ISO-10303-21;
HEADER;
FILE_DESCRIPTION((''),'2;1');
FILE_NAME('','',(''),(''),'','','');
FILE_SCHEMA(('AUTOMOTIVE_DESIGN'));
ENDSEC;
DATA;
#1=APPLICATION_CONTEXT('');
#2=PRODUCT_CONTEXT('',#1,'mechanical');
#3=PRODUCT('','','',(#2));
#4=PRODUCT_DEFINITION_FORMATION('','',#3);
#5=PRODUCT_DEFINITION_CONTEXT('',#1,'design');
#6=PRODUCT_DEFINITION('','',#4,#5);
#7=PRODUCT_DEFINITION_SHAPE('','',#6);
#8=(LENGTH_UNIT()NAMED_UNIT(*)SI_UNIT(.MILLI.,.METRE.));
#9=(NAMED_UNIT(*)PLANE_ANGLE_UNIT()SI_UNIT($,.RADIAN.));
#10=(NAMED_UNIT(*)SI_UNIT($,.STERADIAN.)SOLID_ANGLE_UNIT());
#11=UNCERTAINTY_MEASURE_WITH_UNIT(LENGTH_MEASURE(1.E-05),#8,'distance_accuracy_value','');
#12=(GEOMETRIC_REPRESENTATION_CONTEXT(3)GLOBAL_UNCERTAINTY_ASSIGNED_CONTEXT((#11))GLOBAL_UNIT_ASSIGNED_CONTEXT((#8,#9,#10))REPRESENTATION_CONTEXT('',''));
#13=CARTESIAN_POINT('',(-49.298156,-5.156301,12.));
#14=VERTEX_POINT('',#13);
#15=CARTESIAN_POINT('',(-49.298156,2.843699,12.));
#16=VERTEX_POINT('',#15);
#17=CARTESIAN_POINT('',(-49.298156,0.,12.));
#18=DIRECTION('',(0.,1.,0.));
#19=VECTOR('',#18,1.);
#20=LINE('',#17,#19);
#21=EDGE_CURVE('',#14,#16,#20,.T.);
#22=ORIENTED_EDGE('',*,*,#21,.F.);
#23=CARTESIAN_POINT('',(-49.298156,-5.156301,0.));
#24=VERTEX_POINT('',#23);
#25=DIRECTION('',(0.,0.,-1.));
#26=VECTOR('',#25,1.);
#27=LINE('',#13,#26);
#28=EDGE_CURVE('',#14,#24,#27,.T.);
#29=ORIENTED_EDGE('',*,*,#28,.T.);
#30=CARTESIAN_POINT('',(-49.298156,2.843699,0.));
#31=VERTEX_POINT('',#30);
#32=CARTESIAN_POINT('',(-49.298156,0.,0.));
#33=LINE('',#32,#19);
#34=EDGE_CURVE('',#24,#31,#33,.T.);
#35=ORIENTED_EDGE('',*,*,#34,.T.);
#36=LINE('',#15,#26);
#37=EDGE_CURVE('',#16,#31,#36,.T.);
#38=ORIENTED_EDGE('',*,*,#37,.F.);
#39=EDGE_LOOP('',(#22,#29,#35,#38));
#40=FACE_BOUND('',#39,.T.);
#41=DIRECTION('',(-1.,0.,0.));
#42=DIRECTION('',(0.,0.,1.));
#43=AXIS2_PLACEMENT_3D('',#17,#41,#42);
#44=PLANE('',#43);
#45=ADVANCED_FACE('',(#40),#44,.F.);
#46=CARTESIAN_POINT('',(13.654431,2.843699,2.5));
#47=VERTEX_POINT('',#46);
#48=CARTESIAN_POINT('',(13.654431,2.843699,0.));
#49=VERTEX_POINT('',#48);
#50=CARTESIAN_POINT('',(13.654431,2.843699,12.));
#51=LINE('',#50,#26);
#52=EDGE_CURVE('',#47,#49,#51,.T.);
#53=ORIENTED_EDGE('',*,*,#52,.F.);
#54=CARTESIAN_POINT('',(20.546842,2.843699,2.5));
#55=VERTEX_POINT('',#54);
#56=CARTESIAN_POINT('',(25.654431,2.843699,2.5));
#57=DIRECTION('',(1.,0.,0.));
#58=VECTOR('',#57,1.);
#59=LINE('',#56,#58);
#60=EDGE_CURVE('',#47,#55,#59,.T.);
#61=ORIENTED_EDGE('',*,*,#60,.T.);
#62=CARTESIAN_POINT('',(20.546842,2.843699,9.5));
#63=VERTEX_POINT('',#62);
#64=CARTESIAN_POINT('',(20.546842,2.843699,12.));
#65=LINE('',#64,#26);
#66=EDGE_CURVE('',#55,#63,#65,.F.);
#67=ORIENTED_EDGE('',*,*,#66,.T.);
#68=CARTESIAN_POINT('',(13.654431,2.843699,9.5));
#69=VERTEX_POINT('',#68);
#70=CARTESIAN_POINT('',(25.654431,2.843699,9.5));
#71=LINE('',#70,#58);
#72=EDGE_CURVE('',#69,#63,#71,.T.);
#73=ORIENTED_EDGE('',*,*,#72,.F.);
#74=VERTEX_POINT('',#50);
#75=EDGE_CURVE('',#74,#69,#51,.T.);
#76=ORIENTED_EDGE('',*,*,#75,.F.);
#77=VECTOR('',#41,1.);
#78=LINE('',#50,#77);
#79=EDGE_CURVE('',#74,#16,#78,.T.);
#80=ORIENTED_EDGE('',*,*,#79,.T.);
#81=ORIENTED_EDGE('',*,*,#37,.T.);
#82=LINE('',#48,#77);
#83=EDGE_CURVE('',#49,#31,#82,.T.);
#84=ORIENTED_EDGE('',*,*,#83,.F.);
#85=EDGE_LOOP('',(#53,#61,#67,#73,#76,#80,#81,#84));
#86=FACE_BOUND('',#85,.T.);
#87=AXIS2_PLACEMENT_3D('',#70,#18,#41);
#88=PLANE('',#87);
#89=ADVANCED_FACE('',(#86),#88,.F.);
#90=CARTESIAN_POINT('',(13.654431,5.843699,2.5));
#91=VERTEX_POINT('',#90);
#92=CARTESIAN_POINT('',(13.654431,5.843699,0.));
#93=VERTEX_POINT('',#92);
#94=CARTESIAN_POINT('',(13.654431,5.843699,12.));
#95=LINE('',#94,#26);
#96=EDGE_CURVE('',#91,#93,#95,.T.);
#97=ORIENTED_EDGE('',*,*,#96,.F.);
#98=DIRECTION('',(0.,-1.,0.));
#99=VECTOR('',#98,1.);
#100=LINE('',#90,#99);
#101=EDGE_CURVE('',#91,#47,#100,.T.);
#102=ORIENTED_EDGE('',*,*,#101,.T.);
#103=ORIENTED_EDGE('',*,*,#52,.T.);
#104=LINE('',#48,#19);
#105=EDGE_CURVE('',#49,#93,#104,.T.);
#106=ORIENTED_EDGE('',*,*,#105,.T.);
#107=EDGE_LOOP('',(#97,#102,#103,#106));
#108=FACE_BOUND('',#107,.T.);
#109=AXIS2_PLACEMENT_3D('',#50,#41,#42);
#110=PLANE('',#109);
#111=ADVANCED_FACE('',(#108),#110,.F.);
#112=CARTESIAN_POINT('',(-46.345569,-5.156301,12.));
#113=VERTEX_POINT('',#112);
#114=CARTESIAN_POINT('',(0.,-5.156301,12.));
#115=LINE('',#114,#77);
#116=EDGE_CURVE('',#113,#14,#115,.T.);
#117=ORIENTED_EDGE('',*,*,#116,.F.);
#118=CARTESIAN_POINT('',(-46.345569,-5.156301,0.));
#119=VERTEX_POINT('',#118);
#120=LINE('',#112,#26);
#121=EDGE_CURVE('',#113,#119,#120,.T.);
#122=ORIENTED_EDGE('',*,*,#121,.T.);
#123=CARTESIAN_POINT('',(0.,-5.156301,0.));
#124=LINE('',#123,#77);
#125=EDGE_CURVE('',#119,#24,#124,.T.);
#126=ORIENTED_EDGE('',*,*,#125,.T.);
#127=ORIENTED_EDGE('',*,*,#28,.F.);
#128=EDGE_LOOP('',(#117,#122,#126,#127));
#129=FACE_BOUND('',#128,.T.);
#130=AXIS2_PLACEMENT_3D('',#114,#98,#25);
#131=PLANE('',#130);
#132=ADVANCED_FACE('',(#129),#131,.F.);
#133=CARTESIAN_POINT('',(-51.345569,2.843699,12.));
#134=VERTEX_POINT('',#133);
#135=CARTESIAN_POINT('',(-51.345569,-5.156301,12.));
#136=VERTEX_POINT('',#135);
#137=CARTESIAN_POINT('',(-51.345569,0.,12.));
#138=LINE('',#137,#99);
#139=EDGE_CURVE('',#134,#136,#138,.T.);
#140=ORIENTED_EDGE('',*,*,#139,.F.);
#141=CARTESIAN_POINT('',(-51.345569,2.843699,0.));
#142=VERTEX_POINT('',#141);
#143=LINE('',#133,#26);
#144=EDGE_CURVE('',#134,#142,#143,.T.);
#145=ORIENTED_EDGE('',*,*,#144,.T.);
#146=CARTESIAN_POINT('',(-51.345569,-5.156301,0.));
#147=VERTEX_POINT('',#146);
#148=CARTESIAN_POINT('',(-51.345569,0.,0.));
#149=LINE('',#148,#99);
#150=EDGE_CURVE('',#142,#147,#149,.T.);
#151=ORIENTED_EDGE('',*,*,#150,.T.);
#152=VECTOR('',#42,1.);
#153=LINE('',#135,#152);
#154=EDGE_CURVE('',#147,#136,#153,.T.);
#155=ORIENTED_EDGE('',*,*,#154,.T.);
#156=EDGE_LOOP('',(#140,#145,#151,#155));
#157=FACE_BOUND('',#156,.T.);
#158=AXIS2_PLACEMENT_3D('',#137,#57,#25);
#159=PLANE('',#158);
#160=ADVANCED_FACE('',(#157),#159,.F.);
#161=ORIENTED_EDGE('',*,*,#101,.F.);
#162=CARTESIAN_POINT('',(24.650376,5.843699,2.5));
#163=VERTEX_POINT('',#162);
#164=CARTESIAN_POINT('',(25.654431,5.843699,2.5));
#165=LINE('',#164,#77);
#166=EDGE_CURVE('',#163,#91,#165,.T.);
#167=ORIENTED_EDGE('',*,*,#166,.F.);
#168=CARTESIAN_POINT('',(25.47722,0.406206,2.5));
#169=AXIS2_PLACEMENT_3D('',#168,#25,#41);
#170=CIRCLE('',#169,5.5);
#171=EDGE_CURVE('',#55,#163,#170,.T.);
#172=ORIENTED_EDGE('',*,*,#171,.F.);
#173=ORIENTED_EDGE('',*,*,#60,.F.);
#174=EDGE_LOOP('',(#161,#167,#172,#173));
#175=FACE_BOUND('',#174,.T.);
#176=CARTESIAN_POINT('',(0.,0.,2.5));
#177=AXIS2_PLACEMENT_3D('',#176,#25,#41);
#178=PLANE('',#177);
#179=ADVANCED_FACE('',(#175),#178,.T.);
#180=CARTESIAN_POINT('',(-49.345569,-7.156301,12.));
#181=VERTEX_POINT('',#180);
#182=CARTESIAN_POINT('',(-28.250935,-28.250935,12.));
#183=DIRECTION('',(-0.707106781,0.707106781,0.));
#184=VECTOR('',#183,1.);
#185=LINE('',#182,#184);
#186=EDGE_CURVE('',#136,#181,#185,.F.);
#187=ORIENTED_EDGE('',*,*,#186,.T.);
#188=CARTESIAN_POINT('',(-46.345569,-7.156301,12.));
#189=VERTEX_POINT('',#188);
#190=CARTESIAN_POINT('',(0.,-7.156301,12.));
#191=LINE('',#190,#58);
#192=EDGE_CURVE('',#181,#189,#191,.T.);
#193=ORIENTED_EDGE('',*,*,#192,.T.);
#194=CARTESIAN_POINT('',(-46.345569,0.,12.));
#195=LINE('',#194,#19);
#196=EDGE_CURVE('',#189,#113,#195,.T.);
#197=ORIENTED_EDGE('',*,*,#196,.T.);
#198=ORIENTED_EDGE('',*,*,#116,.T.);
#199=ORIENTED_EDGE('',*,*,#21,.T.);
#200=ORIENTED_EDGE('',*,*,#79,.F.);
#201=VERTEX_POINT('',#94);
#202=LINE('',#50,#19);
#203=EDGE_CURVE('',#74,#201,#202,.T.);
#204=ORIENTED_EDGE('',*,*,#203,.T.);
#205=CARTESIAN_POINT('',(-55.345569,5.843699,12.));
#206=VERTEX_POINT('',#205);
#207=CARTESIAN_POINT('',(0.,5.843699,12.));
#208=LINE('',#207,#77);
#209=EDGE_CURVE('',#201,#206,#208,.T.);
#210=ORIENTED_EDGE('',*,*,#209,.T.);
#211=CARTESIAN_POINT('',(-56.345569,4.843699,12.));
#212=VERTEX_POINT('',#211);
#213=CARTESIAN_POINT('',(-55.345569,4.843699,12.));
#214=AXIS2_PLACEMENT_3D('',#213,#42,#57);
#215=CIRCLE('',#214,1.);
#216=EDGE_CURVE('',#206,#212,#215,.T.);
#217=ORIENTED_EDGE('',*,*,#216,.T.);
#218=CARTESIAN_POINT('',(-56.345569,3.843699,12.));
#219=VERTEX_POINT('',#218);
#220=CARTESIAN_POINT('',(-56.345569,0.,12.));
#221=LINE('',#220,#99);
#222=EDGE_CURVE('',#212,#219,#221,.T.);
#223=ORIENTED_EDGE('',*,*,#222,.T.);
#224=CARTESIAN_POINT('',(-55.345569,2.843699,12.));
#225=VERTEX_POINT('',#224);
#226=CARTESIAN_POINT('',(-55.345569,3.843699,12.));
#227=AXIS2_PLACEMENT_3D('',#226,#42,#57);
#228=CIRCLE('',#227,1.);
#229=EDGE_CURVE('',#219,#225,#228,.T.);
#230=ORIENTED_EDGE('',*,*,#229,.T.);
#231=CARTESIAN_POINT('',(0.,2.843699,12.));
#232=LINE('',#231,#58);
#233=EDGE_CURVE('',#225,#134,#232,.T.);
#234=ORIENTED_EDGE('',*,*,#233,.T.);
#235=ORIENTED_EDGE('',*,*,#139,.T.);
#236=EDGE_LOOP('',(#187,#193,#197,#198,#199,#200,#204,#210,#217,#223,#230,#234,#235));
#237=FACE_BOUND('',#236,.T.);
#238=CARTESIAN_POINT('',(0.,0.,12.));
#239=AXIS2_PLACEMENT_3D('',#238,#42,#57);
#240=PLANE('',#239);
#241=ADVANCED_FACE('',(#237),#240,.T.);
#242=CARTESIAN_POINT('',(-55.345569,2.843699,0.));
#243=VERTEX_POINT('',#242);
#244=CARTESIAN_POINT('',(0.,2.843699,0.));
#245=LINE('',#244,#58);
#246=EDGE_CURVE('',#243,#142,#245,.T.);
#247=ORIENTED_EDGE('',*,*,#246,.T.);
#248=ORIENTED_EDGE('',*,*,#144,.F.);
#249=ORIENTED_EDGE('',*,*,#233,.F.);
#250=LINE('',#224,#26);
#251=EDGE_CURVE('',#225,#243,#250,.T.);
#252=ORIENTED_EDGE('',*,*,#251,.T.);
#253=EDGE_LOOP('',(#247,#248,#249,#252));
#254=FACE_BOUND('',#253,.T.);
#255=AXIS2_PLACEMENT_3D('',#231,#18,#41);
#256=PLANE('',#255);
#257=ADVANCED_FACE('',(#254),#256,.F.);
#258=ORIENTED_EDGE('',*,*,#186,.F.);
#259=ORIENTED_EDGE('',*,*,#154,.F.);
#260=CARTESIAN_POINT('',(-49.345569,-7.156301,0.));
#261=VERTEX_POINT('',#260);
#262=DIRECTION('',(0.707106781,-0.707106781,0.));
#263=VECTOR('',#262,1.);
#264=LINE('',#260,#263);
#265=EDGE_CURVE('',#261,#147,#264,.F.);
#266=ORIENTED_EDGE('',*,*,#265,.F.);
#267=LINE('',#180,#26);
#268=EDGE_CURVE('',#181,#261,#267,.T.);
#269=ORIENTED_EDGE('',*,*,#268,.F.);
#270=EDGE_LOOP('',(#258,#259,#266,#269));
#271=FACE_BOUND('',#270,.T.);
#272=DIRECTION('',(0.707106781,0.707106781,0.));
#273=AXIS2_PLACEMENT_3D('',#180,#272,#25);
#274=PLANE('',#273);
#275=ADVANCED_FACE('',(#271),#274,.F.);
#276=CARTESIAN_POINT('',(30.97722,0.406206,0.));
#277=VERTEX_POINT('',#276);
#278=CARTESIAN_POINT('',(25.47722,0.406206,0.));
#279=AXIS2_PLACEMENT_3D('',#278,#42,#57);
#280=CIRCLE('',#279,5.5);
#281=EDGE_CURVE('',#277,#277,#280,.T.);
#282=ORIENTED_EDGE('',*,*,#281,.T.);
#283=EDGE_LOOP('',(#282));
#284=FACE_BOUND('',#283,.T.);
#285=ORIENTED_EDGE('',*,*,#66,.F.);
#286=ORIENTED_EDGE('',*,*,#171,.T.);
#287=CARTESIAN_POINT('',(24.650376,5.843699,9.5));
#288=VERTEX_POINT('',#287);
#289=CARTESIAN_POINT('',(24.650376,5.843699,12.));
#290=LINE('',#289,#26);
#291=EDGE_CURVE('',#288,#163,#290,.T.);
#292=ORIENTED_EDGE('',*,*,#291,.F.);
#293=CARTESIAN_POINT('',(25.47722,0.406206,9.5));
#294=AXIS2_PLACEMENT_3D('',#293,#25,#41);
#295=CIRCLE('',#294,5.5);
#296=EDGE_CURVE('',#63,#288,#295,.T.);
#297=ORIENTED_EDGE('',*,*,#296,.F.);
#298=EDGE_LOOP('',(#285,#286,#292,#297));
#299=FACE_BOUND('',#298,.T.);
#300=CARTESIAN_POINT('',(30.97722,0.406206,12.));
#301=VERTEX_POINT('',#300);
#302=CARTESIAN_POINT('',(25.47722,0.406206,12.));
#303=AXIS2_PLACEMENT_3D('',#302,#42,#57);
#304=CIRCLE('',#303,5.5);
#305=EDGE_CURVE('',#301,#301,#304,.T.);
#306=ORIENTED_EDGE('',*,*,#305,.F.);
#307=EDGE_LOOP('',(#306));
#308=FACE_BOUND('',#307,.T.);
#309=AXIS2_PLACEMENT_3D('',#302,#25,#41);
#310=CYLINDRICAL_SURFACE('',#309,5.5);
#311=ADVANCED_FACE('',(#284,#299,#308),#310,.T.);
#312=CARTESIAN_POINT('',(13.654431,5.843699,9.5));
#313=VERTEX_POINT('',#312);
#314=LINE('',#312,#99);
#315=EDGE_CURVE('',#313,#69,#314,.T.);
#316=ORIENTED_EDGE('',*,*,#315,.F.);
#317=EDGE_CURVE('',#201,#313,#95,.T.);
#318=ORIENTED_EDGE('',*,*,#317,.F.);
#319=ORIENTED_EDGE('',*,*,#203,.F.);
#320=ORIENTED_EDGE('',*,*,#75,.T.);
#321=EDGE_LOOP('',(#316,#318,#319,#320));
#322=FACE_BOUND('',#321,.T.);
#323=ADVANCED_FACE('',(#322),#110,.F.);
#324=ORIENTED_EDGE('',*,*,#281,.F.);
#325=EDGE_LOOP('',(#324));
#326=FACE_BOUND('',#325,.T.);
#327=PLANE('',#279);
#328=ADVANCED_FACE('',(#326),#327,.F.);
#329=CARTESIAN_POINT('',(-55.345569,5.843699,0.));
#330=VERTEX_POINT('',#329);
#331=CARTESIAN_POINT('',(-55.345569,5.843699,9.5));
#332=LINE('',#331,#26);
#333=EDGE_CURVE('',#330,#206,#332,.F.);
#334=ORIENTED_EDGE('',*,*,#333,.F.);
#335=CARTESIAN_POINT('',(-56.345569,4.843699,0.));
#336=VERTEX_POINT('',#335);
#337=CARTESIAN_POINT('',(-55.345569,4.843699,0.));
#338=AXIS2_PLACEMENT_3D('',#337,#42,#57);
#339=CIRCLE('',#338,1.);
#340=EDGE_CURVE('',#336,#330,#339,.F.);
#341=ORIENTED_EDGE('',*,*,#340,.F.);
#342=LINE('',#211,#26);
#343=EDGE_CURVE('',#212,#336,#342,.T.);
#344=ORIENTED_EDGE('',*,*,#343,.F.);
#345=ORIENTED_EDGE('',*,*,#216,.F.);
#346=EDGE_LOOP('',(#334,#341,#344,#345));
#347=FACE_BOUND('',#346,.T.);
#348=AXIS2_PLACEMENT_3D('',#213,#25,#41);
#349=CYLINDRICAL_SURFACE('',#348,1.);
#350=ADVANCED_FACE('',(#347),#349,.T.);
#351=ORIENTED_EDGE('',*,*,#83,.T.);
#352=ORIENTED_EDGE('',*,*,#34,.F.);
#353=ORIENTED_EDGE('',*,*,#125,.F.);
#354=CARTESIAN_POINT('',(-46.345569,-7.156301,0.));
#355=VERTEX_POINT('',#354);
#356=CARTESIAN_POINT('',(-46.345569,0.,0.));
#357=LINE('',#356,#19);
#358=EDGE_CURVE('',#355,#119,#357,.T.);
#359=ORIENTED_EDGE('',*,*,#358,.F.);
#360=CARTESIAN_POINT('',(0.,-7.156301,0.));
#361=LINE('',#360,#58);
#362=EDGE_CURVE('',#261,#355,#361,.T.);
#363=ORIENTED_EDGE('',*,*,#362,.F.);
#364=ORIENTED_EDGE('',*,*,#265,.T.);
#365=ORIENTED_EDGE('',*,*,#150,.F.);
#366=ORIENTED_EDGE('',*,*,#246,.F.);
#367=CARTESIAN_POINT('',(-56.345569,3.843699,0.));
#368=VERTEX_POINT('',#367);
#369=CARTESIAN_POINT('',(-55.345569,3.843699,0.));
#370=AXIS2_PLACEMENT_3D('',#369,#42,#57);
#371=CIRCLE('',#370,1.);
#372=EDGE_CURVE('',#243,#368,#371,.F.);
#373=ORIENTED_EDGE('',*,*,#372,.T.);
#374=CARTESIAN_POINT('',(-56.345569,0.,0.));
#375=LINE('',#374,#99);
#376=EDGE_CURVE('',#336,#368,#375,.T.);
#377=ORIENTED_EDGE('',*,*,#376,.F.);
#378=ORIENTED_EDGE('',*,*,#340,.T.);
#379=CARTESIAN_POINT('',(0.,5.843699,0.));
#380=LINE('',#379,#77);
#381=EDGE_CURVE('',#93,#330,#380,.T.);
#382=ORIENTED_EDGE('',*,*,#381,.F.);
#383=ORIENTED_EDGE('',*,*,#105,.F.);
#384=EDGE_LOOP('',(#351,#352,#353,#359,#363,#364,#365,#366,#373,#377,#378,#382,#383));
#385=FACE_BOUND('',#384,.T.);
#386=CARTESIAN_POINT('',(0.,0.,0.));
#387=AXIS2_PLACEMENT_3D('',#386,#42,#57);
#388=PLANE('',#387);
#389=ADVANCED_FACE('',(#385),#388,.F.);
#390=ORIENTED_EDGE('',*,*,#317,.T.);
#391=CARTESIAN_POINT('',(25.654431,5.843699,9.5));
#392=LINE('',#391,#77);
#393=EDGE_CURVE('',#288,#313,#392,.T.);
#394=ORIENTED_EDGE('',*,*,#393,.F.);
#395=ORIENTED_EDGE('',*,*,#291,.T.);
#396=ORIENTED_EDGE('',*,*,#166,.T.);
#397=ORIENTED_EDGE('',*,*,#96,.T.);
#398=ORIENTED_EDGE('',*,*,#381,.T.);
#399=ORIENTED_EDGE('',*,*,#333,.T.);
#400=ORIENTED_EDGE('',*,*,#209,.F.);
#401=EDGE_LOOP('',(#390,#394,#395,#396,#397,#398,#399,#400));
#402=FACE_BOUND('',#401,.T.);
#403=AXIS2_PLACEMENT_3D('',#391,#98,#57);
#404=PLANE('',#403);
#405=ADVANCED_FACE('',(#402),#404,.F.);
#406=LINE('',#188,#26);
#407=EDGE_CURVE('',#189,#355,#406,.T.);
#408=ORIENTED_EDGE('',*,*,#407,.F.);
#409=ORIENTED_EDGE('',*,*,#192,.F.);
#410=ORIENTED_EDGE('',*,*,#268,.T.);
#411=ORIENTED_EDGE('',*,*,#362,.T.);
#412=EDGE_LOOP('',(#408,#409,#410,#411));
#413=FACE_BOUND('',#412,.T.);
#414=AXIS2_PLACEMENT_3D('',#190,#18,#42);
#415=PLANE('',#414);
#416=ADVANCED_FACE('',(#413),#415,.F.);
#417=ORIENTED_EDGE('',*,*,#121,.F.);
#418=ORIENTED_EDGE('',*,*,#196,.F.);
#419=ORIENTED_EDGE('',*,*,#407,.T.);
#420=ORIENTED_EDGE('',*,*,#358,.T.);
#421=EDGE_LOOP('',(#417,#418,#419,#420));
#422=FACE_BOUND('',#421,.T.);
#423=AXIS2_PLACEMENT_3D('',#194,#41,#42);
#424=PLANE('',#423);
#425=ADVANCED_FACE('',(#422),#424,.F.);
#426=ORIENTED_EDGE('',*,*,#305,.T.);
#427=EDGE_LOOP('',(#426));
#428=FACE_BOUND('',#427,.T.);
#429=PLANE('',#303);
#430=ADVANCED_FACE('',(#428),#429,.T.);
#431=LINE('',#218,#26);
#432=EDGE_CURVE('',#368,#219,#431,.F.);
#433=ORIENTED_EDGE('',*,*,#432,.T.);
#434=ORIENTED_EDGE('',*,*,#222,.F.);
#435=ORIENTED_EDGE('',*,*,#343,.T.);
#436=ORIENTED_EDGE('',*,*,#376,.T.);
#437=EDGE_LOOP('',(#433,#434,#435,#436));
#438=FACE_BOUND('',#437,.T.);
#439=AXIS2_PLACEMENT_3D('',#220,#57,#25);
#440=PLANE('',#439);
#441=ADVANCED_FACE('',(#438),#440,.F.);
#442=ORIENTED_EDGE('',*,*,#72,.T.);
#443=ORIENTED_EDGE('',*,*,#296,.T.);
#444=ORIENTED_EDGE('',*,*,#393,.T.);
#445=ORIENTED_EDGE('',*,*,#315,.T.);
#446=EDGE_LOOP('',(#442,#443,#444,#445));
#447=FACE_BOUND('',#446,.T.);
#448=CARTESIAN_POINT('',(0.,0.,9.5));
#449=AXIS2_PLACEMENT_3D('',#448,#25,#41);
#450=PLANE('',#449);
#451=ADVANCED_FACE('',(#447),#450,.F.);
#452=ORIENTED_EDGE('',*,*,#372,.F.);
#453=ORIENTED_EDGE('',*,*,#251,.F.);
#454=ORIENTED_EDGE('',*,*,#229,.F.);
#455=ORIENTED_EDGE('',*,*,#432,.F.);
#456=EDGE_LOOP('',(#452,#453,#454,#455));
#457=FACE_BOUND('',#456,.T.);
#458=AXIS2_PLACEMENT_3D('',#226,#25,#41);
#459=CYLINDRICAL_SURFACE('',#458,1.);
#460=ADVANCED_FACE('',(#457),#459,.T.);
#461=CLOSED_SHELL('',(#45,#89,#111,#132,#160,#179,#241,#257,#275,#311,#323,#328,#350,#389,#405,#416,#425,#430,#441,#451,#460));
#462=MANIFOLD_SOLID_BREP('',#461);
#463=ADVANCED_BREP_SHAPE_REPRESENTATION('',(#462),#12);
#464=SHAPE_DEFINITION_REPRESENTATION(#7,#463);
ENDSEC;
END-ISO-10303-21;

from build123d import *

# Parameters (mm, degrees)
ESQUISSE1_R        = 5.5
BOSS_EXTRU_1_DEPTH = 12
ESQUISSE2_W        = 12
ESQUISSE2_H        = 3
BOSS_EXTRU_2_DEPTH = 7
BOSS_EXTRU_3_DEPTH = 12
CHANFREIN1_SIZE    = 2
CONG_1_R           = 1


with BuildPart() as part:
    # Esquisse1 → Boss.-Extru.1 (new body)
    with BuildSketch(Plane.XY):
        with Locations((25.477220372, 0.406206053)):
            Circle(ESQUISSE1_R)
    extrude(amount=BOSS_EXTRU_1_DEPTH)

    # Esquisse2 → Boss.-Extru.2 (add)
    with BuildSketch(Plane.XY.offset(2.5)):
        with Locations((19.654430588, 4.343698911)):
            Rectangle(ESQUISSE2_W, ESQUISSE2_H)
    extrude(amount=BOSS_EXTRU_2_DEPTH)

    # Esquisse3 → Boss.-Extru.3 (add)
    with BuildSketch(Plane.XY):
        Polygon((-49.298156478, 2.843698911), (13.654430588, 2.843698911), (13.654430588, 5.843698911), (-56.345569412, 5.843698911), (-56.345569412, 2.843698911), (-51.345569412, 2.843698911), (-51.345569412, -7.156301089), (-46.345569412, -7.156301089), (-46.345569412, -5.156301089), (-49.298156478, -5.156301089), align=None)
    extrude(amount=BOSS_EXTRU_3_DEPTH)

    # Chanfrein1
    chanfrein1_edges = [part.edges().sort_by_distance(p)[0] for p in [
        (-51.345569412, -7.156301089, 6),
    ]]
    chamfer(chanfrein1_edges, length=CHANFREIN1_SIZE)

    # Congé1
    cong_1_edges = [part.edges().sort_by_distance(p)[0] for p in [
        (-56.345569412, 5.843698911, 6),
        (-56.345569412, 2.843698911, 6),
    ]]
    fillet(cong_1_edges, radius=CONG_1_R)


solid = part.part
